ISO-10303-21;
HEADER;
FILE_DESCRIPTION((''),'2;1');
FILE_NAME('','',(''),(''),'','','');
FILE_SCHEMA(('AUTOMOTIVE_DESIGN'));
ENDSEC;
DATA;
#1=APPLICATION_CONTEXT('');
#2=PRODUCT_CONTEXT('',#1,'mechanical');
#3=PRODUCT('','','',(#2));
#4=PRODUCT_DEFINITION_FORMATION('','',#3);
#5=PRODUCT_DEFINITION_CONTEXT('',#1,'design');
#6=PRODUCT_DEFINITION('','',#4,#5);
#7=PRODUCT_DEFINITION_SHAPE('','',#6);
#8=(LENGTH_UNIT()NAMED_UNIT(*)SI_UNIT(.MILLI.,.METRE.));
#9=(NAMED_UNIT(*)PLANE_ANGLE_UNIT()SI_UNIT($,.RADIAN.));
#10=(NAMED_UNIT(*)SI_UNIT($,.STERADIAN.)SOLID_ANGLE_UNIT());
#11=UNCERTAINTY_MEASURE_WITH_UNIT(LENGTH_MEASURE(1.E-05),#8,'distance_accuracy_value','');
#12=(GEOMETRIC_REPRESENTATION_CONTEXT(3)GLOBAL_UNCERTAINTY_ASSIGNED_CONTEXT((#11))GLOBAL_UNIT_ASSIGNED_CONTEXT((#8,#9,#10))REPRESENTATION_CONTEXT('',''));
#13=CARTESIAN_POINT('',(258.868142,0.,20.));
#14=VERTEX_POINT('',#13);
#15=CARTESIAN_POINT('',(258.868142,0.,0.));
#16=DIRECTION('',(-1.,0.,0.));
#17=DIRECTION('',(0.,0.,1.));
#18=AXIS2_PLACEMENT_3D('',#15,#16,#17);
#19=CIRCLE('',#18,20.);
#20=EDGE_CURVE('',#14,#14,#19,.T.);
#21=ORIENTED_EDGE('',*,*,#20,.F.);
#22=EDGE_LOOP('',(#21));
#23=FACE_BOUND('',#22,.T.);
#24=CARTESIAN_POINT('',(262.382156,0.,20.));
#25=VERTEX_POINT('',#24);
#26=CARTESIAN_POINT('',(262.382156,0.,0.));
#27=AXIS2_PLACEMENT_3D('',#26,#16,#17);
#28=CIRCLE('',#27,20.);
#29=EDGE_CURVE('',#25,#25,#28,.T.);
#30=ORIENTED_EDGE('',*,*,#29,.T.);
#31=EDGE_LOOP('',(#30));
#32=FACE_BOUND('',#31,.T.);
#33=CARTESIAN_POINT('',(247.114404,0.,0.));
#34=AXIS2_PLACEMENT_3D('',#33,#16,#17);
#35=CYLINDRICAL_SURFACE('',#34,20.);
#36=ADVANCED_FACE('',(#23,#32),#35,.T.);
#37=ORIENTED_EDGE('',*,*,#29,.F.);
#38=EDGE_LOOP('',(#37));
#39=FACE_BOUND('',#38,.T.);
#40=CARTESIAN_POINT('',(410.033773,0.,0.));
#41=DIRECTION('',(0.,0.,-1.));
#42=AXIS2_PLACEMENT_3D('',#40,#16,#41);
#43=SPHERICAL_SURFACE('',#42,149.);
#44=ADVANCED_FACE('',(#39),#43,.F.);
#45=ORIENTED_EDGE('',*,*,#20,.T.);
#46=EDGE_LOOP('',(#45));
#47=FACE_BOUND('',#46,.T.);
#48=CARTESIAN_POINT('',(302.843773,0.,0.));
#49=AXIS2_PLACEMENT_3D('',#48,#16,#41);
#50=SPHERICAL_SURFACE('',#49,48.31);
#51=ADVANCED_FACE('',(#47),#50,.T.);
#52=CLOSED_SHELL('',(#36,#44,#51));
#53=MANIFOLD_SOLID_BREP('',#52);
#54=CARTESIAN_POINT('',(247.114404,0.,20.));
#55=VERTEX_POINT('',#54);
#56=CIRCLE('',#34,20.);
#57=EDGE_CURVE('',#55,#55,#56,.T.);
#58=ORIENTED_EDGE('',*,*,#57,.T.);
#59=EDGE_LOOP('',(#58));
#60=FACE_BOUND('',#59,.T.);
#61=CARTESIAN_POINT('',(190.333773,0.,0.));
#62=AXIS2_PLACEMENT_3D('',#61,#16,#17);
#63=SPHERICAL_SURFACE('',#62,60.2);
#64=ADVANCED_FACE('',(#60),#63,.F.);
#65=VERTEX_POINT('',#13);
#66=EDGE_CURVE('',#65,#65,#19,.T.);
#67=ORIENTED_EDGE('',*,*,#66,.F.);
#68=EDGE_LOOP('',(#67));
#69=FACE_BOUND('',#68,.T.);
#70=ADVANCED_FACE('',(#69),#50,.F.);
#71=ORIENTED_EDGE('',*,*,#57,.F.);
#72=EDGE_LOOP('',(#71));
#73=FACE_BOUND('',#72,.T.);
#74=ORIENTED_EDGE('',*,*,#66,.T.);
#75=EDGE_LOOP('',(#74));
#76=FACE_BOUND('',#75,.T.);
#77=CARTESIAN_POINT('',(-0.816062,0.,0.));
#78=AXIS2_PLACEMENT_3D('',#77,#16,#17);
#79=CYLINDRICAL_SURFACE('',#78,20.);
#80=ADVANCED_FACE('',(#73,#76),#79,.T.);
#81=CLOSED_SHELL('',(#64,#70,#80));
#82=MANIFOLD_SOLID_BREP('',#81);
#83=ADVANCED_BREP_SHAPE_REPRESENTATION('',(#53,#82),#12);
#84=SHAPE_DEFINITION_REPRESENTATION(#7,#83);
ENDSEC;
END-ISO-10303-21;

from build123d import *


with BuildPart() as part:
    # 草图1 one side → 旋转1 (revolve)
    with BuildSketch(Plane(origin=(0, 0, 0), x_dir=(1, 0, 0), z_dir=(0, 1, 0)), mode=Mode.PRIVATE) as revolve_1_sk:
        with BuildLine():
            Line((258.868142477, 20), (247.114403729, 20))
            ThreePointArc((247.114403729, 20), (249.67277371, 10.14509842), (250.533773229, 0))
            Line((250.533773229, 0), (254.533773229, 0))
            ThreePointArc((254.533773229, 0), (255.629798488, 10.232140011), (258.868142477, 20))
        make_face()
    revolve(revolve_1_sk.sketch.rotate(Axis((-0.816062176, 0, 0), (1, 0, 0)), 180), axis=Axis((-0.816062176, 0, 0), (1, 0, 0)))  # turned: the seam where the file's is


with BuildPart() as body_2:
    # 草图2 one side → 旋转3 (revolve)
    with BuildSketch(Plane(origin=(0, 0, 0), x_dir=(1, 0, 0), z_dir=(0, 1, 0))):
        with BuildLine():
            Line((262.382156238, 20), (258.868142477, 20))
            ThreePointArc((258.868142477, 20), (255.629798488, 10.232140011), (254.533773229, 0))
            Line((254.533773229, 0), (261.033773229, 0))
            ThreePointArc((261.033773229, 0), (261.371251167, 10.022700943), (262.382156238, 20))
        make_face()
    revolve(axis=Axis((247.114403729, 0, 0), (1, 0, 0)))


solid = Compound([part.part, body_2.part])
